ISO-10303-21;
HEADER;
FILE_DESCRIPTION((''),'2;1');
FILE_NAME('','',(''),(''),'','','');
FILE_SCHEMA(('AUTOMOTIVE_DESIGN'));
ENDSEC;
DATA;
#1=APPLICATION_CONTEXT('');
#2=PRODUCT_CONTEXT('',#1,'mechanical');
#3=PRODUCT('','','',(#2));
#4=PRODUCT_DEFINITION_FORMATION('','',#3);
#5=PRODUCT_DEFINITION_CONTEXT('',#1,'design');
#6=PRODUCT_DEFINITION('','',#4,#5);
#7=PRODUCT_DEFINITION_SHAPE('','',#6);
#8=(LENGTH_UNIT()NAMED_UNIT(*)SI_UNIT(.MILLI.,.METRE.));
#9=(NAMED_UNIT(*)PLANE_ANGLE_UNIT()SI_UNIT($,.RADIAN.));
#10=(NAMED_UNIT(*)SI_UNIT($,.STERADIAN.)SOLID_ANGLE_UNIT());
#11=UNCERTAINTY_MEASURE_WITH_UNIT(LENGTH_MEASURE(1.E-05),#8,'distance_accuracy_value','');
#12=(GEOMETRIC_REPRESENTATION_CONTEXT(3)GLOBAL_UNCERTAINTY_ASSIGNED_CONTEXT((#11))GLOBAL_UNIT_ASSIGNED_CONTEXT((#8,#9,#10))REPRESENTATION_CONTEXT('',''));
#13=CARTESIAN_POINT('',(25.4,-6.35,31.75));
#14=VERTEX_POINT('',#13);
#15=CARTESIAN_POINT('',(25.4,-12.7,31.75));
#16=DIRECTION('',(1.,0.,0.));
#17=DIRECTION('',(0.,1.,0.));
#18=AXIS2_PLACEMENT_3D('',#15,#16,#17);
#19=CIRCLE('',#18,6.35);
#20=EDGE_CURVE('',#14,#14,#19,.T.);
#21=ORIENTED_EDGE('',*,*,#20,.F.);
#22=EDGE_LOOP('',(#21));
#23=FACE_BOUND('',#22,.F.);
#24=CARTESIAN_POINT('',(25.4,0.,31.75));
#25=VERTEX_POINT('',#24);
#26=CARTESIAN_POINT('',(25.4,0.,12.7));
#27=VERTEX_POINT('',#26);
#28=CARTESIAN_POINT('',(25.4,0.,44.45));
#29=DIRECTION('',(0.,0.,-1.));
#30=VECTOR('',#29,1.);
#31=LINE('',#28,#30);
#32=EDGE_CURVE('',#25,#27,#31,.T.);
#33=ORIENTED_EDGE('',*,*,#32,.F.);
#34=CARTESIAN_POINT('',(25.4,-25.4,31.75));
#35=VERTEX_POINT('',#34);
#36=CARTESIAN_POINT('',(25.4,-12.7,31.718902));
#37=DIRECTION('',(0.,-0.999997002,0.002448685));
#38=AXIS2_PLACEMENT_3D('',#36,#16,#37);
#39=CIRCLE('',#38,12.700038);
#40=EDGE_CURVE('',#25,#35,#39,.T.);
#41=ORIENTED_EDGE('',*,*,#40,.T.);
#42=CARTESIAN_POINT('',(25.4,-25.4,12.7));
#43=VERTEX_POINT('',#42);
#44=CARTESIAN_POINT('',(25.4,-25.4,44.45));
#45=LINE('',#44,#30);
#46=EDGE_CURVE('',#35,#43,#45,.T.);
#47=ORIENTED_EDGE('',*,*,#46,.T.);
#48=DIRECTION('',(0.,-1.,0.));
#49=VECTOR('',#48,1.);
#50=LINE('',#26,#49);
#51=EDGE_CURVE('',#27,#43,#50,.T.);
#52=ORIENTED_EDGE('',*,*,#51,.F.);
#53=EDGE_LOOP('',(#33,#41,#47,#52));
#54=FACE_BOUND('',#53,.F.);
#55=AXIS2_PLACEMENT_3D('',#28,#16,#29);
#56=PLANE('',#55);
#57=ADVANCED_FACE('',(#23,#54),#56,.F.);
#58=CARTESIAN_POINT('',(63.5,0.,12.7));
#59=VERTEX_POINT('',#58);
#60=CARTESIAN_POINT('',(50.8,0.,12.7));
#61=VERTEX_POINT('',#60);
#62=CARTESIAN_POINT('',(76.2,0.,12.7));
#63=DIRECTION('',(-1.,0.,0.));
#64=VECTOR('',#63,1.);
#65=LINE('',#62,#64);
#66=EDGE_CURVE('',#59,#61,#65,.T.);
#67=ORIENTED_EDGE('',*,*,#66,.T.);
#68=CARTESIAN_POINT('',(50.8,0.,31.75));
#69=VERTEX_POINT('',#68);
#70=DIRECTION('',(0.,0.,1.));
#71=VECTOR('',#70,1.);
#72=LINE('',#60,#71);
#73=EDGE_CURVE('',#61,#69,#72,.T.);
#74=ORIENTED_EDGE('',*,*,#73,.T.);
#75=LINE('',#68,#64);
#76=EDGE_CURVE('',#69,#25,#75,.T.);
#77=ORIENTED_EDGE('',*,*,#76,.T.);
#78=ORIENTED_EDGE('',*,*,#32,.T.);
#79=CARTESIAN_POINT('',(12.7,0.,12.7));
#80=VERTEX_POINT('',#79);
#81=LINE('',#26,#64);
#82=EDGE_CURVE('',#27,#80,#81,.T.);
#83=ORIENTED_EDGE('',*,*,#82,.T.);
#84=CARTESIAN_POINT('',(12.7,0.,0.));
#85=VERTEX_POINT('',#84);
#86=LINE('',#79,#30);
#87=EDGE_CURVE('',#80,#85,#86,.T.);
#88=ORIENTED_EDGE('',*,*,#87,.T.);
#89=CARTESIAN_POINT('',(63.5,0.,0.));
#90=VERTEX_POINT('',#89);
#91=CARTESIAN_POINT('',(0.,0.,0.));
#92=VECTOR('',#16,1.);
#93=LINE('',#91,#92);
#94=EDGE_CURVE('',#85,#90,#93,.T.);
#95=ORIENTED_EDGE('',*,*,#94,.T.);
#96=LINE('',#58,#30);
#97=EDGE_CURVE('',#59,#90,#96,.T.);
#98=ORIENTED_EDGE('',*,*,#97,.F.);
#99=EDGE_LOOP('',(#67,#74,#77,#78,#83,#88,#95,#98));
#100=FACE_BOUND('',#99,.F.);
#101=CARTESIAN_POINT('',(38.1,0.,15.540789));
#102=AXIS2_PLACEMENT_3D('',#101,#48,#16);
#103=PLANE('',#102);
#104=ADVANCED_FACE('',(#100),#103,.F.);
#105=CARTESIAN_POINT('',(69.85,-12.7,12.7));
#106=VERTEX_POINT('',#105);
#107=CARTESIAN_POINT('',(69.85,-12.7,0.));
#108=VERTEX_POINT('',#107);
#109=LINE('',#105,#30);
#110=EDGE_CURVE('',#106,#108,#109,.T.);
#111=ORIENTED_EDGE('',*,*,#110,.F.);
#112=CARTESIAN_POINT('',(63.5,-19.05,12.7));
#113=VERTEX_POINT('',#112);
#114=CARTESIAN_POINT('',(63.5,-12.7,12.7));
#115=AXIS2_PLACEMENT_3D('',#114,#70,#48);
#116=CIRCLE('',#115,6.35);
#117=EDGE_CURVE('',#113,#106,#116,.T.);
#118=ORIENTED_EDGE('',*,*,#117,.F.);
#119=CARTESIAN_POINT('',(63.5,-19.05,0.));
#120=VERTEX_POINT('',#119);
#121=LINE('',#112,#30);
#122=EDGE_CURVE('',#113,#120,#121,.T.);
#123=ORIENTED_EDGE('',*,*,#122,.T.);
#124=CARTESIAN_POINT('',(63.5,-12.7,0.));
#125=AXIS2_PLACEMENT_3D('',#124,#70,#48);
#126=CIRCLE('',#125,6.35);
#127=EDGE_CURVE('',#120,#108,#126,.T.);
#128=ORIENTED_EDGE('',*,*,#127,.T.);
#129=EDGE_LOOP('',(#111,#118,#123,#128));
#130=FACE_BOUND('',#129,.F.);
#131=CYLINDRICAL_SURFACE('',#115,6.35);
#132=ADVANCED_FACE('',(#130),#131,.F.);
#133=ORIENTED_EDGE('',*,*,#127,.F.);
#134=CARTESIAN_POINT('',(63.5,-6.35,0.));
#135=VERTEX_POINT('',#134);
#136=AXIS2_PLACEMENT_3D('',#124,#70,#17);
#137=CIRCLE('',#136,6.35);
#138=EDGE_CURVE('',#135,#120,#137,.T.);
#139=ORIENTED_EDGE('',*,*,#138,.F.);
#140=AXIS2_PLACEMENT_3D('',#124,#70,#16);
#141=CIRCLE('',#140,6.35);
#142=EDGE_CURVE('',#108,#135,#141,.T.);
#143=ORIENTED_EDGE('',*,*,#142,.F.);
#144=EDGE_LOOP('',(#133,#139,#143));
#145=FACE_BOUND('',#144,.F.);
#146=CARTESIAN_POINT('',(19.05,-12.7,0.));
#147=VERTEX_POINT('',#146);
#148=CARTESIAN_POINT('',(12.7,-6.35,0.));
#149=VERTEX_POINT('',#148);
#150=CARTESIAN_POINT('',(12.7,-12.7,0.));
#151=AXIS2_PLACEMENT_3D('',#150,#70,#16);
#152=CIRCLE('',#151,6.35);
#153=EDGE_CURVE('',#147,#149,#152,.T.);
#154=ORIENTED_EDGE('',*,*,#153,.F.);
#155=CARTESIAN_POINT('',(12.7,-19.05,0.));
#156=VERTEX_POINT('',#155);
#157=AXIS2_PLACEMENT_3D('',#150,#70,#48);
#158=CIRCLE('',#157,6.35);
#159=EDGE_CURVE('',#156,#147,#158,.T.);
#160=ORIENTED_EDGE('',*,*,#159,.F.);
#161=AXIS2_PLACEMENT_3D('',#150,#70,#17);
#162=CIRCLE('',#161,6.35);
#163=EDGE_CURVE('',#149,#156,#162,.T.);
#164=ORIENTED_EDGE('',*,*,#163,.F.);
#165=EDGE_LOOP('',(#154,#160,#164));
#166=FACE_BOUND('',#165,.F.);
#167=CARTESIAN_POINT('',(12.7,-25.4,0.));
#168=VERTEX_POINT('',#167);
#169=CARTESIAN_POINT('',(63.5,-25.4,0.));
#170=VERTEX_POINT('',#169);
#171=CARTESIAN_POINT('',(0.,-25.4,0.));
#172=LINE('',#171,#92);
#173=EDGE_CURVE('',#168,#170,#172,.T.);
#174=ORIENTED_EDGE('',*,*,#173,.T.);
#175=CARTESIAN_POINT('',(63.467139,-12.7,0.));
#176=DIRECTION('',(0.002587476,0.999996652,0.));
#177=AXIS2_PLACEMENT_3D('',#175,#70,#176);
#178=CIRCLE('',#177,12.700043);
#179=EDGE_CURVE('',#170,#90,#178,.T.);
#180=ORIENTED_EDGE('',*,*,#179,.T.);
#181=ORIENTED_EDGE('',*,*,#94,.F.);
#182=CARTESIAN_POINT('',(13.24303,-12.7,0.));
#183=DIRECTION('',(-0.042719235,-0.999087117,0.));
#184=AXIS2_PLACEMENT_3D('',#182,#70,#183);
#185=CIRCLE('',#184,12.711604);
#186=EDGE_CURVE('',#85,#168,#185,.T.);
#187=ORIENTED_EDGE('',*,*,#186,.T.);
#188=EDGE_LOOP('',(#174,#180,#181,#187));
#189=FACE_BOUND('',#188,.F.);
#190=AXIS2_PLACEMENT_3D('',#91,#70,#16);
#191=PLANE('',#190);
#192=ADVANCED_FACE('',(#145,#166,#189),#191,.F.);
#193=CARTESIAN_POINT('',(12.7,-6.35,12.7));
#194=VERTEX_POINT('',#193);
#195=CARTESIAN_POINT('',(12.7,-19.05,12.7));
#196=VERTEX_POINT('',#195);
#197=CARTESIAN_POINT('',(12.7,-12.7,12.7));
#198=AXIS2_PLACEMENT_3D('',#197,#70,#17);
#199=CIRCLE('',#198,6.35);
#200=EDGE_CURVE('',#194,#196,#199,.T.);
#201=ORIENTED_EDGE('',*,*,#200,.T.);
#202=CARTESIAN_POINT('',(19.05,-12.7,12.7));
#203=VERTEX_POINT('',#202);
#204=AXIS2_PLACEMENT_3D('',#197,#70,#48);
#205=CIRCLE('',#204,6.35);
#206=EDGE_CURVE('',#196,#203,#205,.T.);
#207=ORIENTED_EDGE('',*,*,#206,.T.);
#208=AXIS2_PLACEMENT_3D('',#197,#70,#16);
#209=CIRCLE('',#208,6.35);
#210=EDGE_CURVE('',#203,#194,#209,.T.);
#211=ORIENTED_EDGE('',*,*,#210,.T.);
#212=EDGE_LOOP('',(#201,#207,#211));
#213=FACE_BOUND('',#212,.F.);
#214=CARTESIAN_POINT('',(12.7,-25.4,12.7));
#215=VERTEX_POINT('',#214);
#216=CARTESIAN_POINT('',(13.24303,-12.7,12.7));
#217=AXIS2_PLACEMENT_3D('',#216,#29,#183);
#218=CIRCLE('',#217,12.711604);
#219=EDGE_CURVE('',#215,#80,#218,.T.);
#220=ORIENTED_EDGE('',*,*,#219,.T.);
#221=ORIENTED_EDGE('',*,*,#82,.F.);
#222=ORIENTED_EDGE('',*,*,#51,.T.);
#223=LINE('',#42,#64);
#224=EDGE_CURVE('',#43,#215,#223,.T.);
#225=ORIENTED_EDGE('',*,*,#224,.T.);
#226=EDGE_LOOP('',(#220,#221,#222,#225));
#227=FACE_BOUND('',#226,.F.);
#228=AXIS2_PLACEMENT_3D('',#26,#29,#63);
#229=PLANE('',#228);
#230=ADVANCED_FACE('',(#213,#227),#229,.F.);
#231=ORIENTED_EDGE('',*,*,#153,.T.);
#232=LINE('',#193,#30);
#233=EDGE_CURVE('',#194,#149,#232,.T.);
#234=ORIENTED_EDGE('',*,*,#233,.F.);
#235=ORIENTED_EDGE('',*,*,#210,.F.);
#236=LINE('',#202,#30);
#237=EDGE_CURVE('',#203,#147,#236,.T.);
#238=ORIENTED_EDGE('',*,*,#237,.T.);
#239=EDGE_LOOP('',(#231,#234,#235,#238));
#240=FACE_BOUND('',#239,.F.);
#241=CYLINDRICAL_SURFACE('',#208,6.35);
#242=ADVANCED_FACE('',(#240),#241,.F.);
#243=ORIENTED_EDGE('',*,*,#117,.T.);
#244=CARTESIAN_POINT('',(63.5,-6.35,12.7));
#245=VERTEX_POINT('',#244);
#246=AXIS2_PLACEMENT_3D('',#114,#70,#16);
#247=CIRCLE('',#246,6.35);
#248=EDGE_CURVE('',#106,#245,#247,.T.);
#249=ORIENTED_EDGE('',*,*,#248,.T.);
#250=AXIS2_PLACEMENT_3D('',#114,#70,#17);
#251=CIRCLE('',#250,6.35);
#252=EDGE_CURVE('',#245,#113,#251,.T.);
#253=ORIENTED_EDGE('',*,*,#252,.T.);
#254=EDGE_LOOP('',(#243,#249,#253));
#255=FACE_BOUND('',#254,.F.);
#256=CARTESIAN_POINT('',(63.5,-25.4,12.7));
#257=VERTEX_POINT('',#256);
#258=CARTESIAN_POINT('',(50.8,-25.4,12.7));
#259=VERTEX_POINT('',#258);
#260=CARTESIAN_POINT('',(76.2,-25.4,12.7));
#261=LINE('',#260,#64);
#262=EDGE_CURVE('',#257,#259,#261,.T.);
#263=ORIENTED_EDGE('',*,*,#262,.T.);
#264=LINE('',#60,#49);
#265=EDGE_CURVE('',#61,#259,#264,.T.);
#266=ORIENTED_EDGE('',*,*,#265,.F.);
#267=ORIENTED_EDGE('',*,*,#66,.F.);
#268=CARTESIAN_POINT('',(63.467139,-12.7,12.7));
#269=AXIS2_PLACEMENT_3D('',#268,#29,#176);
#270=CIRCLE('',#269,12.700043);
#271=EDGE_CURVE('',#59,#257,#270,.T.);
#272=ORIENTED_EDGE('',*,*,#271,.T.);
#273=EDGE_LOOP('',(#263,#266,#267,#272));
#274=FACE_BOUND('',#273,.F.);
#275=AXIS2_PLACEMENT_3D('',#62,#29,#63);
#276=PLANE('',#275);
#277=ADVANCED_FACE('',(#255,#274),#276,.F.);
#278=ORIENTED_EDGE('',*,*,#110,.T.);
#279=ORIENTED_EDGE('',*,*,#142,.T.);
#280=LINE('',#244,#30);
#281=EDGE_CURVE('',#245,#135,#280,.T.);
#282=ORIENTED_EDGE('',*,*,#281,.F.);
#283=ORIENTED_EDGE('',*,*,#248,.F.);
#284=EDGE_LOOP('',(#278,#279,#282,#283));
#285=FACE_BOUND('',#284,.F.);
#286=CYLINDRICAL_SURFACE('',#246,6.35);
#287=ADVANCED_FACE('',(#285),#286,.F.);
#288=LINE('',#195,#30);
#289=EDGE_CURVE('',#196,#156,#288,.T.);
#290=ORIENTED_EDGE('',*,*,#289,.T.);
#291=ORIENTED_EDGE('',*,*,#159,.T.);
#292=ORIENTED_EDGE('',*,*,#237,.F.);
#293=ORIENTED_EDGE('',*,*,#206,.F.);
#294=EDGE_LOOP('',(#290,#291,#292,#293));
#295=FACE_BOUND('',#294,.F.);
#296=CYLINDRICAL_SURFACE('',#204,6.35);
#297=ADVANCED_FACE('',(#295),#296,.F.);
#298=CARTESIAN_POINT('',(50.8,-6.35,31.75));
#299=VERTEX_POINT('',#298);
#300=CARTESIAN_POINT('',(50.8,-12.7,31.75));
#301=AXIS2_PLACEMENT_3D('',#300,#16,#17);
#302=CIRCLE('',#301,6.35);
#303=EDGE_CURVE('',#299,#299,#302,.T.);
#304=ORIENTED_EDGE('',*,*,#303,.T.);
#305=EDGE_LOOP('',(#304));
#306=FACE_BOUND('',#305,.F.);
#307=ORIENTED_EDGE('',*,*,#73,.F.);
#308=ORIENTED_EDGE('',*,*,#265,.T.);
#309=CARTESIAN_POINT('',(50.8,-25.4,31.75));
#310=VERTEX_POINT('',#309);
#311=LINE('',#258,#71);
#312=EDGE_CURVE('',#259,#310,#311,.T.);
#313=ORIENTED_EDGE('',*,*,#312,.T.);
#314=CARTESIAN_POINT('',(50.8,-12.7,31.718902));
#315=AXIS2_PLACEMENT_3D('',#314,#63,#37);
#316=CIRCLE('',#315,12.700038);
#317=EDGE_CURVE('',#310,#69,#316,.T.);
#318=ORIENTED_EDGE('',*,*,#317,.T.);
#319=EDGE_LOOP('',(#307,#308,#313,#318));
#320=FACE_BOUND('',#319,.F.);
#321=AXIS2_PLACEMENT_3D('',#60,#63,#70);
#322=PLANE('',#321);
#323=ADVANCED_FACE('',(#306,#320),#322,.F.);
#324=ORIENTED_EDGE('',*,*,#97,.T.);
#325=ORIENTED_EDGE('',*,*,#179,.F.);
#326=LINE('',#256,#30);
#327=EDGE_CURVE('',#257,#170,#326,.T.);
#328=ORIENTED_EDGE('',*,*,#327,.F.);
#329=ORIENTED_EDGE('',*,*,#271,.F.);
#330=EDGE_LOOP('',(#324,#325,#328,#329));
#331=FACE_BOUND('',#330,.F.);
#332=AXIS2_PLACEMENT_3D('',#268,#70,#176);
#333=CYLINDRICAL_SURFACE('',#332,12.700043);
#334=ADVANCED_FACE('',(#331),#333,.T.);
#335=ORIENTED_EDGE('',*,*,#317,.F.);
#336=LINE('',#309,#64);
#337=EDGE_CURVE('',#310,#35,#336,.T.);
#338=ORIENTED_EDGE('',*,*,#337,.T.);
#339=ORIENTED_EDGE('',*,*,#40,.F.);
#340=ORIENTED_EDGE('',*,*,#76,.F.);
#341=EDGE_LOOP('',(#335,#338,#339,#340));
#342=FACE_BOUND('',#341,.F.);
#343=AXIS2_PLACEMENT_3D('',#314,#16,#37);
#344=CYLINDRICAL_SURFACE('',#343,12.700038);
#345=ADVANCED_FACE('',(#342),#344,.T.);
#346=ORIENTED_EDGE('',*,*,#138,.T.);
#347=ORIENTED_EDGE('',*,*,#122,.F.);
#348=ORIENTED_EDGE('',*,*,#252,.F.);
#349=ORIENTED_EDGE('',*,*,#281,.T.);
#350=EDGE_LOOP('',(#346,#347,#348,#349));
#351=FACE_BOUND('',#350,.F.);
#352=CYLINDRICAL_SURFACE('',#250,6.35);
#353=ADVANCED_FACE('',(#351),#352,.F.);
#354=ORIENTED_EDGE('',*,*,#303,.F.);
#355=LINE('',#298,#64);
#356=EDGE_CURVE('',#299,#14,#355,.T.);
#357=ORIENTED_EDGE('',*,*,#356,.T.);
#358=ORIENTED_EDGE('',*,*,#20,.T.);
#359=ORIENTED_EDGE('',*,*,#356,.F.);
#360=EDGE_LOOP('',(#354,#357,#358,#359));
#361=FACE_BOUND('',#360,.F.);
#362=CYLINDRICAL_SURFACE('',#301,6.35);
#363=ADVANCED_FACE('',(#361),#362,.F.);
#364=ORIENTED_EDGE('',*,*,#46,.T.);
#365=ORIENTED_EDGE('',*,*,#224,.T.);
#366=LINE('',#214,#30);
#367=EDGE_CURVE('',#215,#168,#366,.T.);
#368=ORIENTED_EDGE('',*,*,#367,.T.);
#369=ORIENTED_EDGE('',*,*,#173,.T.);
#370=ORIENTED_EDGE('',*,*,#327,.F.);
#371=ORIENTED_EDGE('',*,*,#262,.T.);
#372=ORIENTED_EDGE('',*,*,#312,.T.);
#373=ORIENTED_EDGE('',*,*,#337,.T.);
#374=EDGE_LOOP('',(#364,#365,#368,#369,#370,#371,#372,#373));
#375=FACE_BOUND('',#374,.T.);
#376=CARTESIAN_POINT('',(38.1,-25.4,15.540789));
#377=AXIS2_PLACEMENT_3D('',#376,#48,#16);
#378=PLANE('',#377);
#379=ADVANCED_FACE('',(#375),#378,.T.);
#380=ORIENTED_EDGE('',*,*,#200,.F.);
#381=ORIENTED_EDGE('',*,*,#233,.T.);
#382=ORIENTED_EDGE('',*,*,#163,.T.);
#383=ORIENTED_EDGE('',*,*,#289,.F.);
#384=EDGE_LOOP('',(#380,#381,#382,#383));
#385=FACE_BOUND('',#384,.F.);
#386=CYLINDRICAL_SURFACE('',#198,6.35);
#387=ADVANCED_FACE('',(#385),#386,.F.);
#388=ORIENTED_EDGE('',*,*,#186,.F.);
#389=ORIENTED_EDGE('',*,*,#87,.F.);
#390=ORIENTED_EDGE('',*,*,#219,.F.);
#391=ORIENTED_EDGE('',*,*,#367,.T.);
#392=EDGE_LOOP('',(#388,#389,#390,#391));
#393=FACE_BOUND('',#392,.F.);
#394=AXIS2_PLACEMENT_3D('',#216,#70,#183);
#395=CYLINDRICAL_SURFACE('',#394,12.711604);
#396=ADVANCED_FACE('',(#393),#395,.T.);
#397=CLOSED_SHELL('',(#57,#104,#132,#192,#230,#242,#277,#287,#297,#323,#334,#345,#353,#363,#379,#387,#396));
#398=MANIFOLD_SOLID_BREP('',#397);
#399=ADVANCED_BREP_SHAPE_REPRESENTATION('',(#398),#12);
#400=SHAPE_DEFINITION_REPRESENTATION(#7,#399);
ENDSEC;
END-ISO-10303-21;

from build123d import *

# Parameters (mm, degrees)
F1_DEPTH = 25.4
F3_DEPTH = 50.801
F5_DEPTH = 12.701
F7_DEPTH = 12.701


with BuildPart() as f1:
    # F0 (on Front) → F1 (new body)
    with BuildSketch(Plane.XZ):
        Polygon((0, 12.7), (0, 0), (76.2, 0), (76.2, 12.7), (50.8, 12.7), (50.8, 44.45), (25.4, 44.45), (25.4, 12.7), align=None)
    extrude(amount=F1_DEPTH)

    # F2 (on face) → F3 (cut, through all)
    with BuildSketch(Plane.YZ.offset(50.8)):
        with BuildLine():
            ThreePointArc((-19.05, 31.75), (-12.7, 25.4), (-6.35, 31.75))
            Line((-6.35, 31.75), (-19.05, 31.75))
        make_face()
        with BuildLine():
            Line((-19.05, 31.75), (-6.35, 31.75))
            ThreePointArc((-6.35, 31.75), (-12.7, 38.1), (-19.05, 31.75))
        make_face()
        with BuildLine():
            ThreePointArc((-25.4, 31.75), (-12.7, 44.4189396796), (0, 31.75))
            Line((0, 31.75), (0, 44.45))
            Line((0, 44.45), (-25.4, 44.45))
            Line((-25.4, 44.45), (-25.4, 31.75))
        make_face()
    extrude(amount=-F3_DEPTH, mode=Mode.SUBTRACT)

    # F4 (on face) → F5 (cut, through all)
    with BuildSketch(Plane.XY.offset(12.7)):
        with BuildLine():
            ThreePointArc((69.85, -12.7), (67.9901280605, -8.2098719395), (63.5, -6.35))
            Line((63.5, -6.35), (63.5, -19.05))
            ThreePointArc((63.5, -19.05), (67.9901280605, -17.1901280605), (69.85, -12.7))
        make_face()
        with BuildLine():
            Line((63.5, -19.05), (63.5, -6.35))
            ThreePointArc((63.5, -6.35), (57.15, -12.7), (63.5, -19.05))
        make_face()
        with BuildLine():
            Line((76.2, 0), (63.5, 0))
            ThreePointArc((63.5, 0), (76.1671814636, -12.7), (63.5, -25.4))
            Line((63.5, -25.4), (76.2, -25.4))
            Line((76.2, -25.4), (76.2, 0))
        make_face()
    extrude(amount=-F5_DEPTH, mode=Mode.SUBTRACT)

    # F6 (on face) → F7 (cut, through all)
    with BuildSketch(Plane.XY.offset(12.7)):
        with BuildLine():
            ThreePointArc((19.05, -12.7), (17.1901280605, -8.2098719395), (12.7, -6.35))
            Line((12.7, -6.35), (12.7, -19.05))
            ThreePointArc((12.7, -19.05), (17.1901280605, -17.1901280605), (19.05, -12.7))
        make_face()
        with BuildLine():
            Line((12.7, -19.05), (12.7, -6.35))
            ThreePointArc((12.7, -6.35), (6.35, -12.7), (12.7, -19.05))
        make_face()
        with BuildLine():
            ThreePointArc((12.7, -25.4), (0.5314257949, -12.7), (12.7, 0))
            Line((12.7, 0), (0, 0))
            Line((0, 0), (0, -25.4))
            Line((0, -25.4), (12.7, -25.4))
        make_face()
    extrude(amount=-F7_DEPTH, mode=Mode.SUBTRACT)


solid = f1.part
